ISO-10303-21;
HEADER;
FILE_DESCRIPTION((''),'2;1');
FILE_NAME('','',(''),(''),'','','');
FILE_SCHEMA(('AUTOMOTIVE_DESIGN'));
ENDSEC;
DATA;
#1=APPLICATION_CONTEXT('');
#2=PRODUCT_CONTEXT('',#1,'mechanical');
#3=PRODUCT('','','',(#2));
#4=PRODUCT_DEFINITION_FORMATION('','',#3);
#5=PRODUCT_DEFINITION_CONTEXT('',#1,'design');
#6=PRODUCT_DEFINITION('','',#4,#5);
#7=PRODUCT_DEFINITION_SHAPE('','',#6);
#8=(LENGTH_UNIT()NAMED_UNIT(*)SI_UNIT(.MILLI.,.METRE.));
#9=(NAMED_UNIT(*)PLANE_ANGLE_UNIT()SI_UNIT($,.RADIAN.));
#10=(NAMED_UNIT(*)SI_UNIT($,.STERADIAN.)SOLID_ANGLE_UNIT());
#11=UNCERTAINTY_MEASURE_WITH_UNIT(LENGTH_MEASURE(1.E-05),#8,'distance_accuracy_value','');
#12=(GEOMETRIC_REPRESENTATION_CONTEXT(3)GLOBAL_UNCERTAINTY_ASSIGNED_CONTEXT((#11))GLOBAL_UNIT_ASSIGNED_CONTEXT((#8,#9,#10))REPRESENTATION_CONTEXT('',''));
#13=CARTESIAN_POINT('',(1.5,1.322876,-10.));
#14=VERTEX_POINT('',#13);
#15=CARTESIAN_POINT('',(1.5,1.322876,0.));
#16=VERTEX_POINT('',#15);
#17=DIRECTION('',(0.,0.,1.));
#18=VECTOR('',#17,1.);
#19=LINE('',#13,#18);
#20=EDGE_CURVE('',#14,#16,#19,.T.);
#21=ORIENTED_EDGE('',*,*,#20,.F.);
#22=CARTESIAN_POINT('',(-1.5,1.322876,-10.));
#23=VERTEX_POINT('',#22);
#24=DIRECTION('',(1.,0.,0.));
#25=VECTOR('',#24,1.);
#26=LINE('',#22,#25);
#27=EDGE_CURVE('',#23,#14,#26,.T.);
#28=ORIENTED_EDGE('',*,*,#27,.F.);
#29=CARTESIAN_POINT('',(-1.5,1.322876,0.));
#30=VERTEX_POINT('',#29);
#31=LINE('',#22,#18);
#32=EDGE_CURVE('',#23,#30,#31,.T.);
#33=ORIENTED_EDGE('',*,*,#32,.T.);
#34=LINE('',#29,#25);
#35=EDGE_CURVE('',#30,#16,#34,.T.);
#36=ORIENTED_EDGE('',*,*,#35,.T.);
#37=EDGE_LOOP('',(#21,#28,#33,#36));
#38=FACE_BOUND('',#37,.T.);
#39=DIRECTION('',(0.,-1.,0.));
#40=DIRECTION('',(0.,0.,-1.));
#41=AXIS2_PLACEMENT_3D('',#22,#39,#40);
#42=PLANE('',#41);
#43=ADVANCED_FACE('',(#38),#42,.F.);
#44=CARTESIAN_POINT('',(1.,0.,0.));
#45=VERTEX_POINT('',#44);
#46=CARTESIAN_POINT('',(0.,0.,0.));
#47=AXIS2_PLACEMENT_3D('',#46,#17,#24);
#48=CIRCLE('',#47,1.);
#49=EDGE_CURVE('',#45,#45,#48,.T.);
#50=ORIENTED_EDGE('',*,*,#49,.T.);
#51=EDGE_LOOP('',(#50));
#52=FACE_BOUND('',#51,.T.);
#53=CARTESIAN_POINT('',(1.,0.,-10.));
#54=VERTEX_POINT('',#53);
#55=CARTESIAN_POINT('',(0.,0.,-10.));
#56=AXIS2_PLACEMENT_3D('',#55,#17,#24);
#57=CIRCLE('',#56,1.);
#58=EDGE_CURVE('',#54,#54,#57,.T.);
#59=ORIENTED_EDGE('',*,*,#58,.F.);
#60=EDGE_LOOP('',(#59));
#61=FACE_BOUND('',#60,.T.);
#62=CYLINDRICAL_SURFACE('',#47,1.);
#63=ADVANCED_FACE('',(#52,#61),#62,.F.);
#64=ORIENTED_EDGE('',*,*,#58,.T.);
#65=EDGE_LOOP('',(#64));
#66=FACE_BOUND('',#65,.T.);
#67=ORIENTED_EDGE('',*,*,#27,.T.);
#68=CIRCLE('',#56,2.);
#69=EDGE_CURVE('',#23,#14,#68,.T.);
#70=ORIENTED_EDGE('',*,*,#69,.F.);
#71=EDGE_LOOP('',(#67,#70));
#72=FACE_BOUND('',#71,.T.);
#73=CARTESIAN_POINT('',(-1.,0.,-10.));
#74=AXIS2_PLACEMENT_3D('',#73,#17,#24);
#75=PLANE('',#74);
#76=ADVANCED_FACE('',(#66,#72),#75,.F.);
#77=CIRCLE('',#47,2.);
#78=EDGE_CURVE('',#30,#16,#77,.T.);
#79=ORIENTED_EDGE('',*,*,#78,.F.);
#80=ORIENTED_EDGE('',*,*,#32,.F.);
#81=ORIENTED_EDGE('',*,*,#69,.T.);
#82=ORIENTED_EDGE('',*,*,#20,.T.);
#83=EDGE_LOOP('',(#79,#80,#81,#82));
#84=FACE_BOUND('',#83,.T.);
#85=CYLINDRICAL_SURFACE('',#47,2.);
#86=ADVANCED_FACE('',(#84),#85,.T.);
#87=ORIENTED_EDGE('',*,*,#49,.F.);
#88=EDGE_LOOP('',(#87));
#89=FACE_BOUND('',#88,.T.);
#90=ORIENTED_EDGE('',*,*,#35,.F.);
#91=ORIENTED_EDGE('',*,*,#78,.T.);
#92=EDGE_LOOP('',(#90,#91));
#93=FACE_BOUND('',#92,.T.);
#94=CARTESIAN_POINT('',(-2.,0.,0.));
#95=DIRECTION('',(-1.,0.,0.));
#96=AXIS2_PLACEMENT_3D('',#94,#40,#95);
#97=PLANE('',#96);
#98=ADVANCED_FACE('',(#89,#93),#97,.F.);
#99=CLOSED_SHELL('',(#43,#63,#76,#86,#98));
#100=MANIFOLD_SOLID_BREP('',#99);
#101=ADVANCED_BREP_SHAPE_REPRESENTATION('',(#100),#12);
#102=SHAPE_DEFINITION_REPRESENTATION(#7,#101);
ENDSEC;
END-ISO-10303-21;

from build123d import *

# Parameters (mm, degrees)
ESBO_O1_W             = 1
ESBO_O1_H             = 10
CORTE_EXTRUS_O1_DEPTH = 11


with BuildPart() as part:
    # Esboço1 → Revolução1 (revolve)
    with BuildSketch(Plane(origin=(0, 0, 0), x_dir=(1, 0, 0), z_dir=(0, 1, 0))):
        with Locations((-1.5, 5)):
            Rectangle(ESBO_O1_W, ESBO_O1_H)
    revolve(axis=Axis((0, 0, 0), (0, 0, -1)))

    # Esboço2 → Corte-extrusão1 (cut, through all)
    with BuildSketch(Plane.XY):
        with BuildLine():
            Line((-1.5, 1.322875656), (1.5, 1.322875656))
            ThreePointArc((1.5, 1.322875656), (0, 2), (-1.5, 1.322875656))
        make_face()
    extrude(amount=-CORTE_EXTRUS_O1_DEPTH, mode=Mode.SUBTRACT)


solid = part.part
